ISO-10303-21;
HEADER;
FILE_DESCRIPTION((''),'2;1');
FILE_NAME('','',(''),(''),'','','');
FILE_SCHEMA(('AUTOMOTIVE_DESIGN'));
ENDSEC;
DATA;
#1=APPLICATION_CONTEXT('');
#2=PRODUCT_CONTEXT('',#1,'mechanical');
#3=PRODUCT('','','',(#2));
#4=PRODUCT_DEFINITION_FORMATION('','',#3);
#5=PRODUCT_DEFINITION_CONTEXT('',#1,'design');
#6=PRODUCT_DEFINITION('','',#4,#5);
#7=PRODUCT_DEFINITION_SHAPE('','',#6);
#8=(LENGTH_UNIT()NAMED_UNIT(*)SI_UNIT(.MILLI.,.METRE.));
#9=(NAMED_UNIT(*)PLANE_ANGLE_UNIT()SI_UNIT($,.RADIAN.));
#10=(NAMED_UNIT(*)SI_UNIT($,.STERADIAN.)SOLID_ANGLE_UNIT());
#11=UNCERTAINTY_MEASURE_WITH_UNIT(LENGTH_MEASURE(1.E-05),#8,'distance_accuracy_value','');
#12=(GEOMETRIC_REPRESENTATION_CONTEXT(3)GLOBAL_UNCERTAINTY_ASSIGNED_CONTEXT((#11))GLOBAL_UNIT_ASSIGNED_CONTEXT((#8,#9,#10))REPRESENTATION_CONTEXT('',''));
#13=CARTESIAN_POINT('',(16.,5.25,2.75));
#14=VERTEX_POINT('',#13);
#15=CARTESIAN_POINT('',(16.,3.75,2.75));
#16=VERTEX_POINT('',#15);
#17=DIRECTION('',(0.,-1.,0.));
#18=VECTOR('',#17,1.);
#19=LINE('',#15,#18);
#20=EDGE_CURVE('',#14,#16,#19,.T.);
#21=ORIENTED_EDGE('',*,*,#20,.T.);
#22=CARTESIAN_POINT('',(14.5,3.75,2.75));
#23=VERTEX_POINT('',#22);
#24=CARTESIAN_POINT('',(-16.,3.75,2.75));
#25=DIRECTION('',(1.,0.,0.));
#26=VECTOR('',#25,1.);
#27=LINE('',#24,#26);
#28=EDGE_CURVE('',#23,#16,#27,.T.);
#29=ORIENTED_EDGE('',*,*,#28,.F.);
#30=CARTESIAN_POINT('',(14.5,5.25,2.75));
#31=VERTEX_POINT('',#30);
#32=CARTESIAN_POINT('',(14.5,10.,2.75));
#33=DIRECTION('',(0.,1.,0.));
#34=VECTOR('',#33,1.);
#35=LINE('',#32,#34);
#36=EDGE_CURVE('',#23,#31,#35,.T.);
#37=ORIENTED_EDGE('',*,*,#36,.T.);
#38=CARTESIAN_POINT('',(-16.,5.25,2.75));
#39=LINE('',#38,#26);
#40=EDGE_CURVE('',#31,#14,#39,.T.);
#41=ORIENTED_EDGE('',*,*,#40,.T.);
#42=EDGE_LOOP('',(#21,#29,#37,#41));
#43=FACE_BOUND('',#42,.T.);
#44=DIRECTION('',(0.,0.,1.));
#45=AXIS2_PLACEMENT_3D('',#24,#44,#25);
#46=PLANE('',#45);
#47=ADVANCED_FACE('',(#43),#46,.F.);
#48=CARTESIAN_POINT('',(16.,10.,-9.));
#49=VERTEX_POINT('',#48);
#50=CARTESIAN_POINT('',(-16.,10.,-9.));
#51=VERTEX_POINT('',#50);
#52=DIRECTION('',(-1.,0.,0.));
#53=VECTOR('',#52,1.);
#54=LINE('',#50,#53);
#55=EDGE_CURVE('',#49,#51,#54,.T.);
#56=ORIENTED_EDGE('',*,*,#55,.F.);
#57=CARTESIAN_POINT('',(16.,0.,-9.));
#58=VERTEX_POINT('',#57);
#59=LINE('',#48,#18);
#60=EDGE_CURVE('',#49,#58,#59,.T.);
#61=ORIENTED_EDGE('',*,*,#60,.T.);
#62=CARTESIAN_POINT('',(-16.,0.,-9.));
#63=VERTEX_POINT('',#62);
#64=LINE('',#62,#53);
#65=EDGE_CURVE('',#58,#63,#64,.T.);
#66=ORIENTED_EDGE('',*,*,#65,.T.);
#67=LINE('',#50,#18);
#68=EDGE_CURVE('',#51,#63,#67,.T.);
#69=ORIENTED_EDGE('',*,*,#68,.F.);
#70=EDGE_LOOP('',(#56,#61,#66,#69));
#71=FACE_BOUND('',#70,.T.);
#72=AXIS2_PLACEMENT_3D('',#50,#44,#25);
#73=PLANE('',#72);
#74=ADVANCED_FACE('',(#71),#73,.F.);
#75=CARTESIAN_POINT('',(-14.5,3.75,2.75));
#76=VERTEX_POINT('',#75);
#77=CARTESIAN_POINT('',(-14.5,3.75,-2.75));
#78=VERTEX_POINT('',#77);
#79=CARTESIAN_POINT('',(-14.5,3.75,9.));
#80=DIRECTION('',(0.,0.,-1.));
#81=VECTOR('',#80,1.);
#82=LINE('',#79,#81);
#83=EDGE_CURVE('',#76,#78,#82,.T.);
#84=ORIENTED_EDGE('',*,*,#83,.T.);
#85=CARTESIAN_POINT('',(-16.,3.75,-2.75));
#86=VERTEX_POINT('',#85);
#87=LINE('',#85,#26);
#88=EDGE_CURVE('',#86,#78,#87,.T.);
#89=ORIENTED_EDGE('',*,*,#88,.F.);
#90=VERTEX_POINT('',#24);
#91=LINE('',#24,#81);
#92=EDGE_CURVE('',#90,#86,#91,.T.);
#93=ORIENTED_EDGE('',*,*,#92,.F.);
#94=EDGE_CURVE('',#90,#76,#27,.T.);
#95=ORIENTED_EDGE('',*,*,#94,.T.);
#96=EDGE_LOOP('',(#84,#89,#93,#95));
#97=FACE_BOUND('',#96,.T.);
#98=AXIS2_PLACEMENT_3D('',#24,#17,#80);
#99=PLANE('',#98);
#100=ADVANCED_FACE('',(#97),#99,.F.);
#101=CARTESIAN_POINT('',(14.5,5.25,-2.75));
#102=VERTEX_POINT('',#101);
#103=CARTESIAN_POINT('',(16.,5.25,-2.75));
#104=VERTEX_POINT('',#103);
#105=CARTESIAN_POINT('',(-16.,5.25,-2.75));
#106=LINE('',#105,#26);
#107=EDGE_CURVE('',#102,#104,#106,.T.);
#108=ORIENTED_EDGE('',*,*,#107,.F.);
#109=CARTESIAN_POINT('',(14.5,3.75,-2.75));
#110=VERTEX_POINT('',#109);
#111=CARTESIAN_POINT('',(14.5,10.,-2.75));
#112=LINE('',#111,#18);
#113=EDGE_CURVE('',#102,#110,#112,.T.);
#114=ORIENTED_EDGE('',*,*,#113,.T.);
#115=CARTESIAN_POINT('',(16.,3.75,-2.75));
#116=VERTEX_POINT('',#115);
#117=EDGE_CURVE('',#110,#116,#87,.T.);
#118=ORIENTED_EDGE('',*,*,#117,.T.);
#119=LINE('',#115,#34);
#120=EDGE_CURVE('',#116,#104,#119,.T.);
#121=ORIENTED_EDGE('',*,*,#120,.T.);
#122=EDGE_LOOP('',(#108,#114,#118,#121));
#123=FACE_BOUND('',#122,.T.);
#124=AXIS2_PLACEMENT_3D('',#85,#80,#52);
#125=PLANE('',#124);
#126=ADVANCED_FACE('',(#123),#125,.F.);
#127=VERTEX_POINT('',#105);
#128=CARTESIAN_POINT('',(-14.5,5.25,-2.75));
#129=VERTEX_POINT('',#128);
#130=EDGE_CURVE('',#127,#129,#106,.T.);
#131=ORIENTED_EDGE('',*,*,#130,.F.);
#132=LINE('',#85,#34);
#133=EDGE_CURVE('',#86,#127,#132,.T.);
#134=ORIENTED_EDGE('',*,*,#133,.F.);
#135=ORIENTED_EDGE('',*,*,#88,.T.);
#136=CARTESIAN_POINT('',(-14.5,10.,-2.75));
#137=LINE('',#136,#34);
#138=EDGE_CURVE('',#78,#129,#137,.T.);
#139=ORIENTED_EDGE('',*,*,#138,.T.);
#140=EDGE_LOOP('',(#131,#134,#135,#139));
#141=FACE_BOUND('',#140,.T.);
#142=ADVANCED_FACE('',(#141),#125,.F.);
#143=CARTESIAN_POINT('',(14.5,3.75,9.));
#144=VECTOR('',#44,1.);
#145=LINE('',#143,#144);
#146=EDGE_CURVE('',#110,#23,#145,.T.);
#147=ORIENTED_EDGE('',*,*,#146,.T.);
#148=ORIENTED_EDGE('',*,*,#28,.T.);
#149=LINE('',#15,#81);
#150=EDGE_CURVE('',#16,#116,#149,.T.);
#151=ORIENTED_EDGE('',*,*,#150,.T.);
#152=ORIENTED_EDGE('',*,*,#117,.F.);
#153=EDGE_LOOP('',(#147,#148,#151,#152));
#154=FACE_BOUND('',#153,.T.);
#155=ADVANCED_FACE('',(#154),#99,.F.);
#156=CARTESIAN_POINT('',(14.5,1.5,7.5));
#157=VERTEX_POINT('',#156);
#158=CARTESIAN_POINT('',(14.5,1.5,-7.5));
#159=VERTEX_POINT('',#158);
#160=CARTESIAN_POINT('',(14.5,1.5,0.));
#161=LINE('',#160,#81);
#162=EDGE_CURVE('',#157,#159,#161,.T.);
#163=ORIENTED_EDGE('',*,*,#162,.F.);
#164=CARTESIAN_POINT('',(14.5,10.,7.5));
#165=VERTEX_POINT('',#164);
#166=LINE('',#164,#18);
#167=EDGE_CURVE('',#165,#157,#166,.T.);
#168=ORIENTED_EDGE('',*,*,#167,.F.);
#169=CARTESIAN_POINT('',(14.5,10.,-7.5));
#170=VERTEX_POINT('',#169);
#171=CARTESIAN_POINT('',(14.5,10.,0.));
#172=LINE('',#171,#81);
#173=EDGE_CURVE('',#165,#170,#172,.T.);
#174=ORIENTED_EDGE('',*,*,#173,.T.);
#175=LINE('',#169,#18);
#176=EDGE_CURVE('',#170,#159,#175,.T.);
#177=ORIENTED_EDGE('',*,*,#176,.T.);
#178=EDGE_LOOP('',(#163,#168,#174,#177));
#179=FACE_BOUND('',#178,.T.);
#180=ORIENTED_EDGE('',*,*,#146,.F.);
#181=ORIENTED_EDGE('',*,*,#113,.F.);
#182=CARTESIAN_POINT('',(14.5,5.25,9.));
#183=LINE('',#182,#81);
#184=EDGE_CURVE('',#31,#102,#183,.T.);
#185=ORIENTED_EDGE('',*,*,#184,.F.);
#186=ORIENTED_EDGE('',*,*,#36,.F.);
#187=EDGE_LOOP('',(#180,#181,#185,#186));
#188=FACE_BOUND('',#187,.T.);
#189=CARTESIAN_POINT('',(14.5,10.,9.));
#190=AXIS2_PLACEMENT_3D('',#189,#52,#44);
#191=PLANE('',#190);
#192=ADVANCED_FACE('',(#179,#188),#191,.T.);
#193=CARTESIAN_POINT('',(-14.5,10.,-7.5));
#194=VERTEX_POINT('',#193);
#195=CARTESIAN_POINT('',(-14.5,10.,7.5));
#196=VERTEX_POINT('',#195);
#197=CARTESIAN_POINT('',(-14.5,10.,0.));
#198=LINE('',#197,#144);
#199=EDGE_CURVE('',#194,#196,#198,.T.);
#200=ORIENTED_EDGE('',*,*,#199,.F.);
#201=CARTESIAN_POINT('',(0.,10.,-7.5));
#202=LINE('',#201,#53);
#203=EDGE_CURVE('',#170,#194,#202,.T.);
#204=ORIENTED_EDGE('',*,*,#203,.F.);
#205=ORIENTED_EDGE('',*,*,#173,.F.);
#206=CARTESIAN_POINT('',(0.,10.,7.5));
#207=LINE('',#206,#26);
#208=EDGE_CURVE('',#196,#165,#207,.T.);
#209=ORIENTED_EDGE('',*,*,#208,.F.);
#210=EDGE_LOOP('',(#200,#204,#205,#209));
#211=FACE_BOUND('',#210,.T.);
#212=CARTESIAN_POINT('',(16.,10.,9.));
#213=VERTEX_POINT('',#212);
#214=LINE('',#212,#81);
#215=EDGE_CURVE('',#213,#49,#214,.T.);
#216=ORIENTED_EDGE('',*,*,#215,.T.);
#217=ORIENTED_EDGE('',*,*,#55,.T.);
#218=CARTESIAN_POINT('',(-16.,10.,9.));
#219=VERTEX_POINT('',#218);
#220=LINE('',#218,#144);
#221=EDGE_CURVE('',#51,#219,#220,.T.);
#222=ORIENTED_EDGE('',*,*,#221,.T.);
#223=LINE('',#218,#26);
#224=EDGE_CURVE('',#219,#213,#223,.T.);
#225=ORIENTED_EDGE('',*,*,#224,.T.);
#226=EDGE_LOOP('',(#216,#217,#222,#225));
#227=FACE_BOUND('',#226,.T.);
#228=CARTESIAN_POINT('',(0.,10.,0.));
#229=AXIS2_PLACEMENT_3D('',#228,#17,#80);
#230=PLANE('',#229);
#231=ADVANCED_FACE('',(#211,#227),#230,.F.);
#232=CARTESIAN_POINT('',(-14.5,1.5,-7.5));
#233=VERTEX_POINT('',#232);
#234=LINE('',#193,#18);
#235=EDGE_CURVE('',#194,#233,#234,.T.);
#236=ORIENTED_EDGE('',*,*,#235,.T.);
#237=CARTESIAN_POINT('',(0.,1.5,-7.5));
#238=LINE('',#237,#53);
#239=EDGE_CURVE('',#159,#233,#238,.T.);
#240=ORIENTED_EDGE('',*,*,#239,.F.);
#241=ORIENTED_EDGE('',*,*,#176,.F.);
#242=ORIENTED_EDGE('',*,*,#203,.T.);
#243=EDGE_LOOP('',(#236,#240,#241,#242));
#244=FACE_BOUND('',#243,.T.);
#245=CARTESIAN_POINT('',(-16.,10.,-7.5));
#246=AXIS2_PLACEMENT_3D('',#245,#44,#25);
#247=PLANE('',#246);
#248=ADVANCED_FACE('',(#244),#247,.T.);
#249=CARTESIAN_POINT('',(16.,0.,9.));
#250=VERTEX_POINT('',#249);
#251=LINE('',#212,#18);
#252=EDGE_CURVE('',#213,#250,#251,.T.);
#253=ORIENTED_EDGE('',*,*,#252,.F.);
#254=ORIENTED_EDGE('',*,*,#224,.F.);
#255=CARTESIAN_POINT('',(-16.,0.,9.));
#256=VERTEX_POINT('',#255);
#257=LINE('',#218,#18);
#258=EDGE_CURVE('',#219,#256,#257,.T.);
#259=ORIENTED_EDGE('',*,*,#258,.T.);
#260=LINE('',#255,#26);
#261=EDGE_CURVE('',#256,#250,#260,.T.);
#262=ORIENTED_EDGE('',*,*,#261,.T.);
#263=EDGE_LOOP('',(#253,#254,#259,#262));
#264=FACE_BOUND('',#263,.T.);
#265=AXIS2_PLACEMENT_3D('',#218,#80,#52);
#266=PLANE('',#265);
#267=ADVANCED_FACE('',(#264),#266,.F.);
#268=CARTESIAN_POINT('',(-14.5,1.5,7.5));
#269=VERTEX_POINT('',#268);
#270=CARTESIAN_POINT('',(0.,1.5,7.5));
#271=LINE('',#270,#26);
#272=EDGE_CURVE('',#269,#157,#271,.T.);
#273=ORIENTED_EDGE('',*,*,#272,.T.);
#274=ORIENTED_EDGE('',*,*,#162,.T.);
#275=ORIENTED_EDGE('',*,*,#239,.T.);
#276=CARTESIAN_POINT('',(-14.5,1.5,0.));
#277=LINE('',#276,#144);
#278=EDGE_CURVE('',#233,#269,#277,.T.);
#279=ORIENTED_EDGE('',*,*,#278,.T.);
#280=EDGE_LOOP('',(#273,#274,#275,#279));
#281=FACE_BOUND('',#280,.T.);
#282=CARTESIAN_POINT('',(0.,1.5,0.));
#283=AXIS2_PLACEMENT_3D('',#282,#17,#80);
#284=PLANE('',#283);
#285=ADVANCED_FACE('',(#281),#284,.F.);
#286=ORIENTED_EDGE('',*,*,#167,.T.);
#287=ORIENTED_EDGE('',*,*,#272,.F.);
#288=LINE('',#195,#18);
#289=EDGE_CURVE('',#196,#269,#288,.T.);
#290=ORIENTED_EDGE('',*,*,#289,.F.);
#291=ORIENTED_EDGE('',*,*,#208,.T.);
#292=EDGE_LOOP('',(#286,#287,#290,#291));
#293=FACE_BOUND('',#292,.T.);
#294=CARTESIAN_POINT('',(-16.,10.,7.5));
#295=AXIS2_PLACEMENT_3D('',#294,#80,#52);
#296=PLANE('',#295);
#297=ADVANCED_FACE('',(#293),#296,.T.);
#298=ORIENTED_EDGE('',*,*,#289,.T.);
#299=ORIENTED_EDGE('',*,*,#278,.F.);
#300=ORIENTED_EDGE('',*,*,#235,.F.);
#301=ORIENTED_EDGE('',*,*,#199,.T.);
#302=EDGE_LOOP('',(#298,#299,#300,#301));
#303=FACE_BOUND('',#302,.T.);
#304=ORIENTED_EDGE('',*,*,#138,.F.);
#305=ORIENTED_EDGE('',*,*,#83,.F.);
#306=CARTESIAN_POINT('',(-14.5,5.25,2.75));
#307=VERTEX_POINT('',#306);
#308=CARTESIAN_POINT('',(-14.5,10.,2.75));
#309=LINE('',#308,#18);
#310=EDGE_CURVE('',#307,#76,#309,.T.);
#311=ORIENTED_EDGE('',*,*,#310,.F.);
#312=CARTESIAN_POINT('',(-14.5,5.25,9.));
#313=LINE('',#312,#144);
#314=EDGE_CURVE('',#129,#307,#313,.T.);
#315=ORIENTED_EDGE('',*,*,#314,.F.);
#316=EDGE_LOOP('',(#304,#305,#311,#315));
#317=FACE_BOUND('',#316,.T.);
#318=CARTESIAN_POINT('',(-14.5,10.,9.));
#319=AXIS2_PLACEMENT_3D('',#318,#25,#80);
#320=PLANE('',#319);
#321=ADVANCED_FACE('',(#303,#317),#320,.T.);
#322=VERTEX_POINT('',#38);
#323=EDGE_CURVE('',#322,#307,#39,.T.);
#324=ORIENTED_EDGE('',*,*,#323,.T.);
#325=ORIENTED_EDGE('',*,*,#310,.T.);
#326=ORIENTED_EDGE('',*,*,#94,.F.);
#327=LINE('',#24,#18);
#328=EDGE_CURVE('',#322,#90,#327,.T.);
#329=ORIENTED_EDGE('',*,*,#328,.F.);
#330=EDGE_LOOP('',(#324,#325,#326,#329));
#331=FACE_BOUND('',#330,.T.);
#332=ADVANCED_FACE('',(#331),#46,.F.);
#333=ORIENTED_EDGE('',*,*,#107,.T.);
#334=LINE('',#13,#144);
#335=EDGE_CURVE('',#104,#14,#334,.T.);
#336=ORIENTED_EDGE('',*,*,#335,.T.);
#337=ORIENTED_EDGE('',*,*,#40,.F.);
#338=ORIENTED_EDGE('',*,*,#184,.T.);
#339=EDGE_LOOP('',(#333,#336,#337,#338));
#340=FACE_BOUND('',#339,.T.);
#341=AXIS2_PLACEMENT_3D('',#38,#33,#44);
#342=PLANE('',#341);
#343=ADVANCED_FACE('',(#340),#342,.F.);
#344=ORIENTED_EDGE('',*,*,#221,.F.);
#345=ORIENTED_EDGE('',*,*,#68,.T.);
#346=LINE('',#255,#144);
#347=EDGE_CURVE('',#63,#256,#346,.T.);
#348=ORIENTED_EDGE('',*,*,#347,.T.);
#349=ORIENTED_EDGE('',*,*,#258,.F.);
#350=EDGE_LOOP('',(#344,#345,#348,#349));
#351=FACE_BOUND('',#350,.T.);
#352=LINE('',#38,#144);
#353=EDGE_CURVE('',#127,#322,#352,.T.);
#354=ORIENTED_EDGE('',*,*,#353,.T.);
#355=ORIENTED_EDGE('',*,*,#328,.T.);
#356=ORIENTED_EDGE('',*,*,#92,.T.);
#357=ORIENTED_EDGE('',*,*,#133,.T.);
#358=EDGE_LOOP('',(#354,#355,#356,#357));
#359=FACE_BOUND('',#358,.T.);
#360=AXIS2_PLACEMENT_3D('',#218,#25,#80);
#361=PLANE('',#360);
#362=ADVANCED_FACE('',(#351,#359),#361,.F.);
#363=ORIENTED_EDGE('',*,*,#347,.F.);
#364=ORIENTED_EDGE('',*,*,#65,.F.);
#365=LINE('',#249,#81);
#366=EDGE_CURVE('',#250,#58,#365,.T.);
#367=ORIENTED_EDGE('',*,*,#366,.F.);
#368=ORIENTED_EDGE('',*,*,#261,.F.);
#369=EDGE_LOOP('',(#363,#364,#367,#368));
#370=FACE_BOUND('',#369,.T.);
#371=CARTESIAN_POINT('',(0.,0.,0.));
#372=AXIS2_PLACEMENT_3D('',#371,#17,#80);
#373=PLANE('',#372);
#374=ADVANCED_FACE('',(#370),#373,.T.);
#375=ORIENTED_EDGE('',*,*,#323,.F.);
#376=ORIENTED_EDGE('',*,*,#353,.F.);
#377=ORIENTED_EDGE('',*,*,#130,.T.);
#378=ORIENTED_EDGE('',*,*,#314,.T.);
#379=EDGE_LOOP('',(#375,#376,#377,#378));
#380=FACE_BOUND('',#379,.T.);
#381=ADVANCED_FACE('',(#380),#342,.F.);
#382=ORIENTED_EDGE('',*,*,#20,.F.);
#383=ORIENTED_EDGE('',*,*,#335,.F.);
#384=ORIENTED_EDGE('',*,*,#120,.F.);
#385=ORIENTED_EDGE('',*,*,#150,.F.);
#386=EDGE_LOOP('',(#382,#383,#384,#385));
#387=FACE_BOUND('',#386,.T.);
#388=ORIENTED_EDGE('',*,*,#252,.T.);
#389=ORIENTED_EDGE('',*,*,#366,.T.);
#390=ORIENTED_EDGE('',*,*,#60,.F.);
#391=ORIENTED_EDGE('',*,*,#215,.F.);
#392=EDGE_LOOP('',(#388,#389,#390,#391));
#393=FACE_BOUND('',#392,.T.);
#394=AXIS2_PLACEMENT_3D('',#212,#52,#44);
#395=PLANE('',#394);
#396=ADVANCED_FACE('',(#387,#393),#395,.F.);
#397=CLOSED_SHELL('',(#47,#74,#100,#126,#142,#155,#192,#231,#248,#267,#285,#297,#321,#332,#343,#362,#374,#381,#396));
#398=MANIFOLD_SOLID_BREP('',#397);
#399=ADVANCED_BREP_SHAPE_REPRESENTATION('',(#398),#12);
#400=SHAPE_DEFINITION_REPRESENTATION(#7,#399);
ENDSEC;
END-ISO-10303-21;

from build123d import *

# Parameters (mm, degrees)
SKETCH1_W           = 32
SKETCH1_H           = 18
BOSS_EXTRUDE1_DEPTH = 10
SHELL1_T            = -1.5
SKETCH3_W           = 5.5
SKETCH3_H           = 1.5
CUT_EXTRUDE1_DEPTH  = 35.713109915


with BuildPart() as part:
    # Sketch1 → Boss-Extrude1 (new body)
    with BuildSketch(Plane(origin=(0, 0, 0), x_dir=(1, 0, 0), z_dir=(0, 1, 0))):
        Rectangle(SKETCH1_W, SKETCH1_H)
    extrude(amount=BOSS_EXTRUDE1_DEPTH)

    # Shell1
    shell1_openings = [part.faces().sort_by_distance(p)[0] for p in [
        (0, 10, 0),
    ]]
    offset(amount=SHELL1_T, openings=shell1_openings, kind=Kind.INTERSECTION)

    # Sketch3 → Cut-Extrude1 (cut, through all)
    with BuildSketch(Plane(origin=(16, 0, 0), x_dir=(0, 0, -1), z_dir=(1, 0, 0))):
        with Locations((0, 4.5)):
            Rectangle(SKETCH3_W, SKETCH3_H)
    extrude(amount=-CUT_EXTRUDE1_DEPTH, mode=Mode.SUBTRACT)


solid = part.part
